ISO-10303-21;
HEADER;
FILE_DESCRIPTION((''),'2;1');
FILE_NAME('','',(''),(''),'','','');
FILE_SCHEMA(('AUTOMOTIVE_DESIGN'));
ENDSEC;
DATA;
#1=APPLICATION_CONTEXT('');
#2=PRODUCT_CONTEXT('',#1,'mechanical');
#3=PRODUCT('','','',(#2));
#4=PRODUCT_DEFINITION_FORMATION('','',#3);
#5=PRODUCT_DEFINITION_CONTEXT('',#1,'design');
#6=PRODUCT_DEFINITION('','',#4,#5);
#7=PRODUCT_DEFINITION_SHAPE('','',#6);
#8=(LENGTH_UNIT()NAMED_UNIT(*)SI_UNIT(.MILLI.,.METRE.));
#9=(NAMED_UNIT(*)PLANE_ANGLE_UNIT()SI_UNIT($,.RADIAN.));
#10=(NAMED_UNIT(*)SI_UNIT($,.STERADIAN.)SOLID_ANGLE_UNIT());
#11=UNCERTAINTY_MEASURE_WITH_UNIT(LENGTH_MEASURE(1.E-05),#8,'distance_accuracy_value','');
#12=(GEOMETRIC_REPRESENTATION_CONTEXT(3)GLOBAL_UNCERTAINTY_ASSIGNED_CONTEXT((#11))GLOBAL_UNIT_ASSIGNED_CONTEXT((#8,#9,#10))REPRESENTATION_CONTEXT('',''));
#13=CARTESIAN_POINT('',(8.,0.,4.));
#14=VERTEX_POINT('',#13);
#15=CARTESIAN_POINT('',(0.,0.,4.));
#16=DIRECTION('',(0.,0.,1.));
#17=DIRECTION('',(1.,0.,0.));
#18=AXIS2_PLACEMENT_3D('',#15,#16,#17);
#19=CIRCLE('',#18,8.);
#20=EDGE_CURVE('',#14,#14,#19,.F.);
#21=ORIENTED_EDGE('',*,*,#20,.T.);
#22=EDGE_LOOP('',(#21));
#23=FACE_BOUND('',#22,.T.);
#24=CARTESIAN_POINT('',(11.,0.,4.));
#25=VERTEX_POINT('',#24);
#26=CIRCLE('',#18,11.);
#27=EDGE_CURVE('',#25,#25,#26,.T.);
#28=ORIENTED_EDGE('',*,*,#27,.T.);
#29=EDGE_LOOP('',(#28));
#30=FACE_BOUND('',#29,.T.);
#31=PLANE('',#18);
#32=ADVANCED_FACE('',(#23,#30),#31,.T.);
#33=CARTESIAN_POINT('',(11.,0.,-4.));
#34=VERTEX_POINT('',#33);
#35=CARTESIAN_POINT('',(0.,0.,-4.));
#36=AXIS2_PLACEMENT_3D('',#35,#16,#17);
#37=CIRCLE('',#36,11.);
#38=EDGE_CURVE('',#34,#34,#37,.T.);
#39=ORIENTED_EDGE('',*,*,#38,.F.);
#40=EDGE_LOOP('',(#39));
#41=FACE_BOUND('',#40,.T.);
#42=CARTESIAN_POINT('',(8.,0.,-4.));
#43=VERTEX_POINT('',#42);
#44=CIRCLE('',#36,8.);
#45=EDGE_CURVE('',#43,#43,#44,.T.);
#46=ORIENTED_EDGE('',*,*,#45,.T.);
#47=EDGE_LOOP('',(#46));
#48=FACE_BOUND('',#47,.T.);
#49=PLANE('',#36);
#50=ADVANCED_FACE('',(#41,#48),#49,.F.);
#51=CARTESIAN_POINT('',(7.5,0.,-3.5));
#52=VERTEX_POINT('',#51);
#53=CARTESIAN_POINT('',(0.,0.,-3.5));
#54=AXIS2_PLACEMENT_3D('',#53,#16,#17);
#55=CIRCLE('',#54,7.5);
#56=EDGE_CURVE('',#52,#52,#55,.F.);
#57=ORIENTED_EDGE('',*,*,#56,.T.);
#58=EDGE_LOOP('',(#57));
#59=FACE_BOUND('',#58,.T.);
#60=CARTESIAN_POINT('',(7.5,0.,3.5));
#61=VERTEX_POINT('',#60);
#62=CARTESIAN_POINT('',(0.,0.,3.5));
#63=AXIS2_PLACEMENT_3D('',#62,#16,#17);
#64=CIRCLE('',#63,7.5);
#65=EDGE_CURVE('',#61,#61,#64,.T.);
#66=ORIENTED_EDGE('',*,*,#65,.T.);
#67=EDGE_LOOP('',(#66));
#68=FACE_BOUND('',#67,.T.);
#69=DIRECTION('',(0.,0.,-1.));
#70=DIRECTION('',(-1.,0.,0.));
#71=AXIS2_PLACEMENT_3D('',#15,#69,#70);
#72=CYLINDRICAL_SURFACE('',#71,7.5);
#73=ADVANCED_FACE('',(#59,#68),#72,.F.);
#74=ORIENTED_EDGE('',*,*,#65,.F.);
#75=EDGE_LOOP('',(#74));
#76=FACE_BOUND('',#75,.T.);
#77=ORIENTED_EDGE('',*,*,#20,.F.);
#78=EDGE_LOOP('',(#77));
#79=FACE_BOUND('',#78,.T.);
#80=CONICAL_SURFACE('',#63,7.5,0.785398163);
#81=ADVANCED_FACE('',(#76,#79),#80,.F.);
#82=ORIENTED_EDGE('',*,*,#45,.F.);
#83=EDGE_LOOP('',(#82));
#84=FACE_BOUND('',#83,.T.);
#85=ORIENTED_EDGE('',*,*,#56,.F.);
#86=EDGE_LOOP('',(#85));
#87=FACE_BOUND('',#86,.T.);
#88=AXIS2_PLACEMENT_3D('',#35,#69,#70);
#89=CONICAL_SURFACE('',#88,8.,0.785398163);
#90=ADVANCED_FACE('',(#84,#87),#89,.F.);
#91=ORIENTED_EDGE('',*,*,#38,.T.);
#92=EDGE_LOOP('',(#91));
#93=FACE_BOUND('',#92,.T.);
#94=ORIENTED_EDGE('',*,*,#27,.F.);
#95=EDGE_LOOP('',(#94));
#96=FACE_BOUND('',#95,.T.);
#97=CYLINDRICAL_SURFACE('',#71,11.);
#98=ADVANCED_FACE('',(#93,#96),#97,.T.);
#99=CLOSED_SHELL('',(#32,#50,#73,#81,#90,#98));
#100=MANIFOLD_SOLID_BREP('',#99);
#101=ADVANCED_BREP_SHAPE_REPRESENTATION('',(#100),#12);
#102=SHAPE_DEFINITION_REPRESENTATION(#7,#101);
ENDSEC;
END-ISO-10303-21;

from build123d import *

# Parameters (mm, degrees)
SKETCH1_R           = 11
SKETCH1_R_2         = 7.5
BOSS_EXTRUDE1_DEPTH = 4
CHAMFER1_SIZE       = 0.5


with BuildPart() as part:
    # Sketch1 → Boss-Extrude1 (new, symmetric)
    with BuildSketch(Plane(origin=(0, 0, 0), x_dir=(0, 1, 0), z_dir=(0, 0, 1))):
        with Locations(Location((0, 0, 0), (0, 0, 270))):
            Circle(SKETCH1_R)
        with Locations(Location((0, 0, 0), (0, 0, 270))):
            Circle(SKETCH1_R_2, mode=Mode.SUBTRACT)
    extrude(amount=BOSS_EXTRUDE1_DEPTH, both=True)

    # Chamfer1
    chamfer1_edges = [part.edges().sort_by_distance(p)[0] for p in [
        (-7.5, 0, -4),
        (-7.5, 0, 4),
    ]]
    chamfer(chamfer1_edges, length=CHAMFER1_SIZE)


solid = part.part
